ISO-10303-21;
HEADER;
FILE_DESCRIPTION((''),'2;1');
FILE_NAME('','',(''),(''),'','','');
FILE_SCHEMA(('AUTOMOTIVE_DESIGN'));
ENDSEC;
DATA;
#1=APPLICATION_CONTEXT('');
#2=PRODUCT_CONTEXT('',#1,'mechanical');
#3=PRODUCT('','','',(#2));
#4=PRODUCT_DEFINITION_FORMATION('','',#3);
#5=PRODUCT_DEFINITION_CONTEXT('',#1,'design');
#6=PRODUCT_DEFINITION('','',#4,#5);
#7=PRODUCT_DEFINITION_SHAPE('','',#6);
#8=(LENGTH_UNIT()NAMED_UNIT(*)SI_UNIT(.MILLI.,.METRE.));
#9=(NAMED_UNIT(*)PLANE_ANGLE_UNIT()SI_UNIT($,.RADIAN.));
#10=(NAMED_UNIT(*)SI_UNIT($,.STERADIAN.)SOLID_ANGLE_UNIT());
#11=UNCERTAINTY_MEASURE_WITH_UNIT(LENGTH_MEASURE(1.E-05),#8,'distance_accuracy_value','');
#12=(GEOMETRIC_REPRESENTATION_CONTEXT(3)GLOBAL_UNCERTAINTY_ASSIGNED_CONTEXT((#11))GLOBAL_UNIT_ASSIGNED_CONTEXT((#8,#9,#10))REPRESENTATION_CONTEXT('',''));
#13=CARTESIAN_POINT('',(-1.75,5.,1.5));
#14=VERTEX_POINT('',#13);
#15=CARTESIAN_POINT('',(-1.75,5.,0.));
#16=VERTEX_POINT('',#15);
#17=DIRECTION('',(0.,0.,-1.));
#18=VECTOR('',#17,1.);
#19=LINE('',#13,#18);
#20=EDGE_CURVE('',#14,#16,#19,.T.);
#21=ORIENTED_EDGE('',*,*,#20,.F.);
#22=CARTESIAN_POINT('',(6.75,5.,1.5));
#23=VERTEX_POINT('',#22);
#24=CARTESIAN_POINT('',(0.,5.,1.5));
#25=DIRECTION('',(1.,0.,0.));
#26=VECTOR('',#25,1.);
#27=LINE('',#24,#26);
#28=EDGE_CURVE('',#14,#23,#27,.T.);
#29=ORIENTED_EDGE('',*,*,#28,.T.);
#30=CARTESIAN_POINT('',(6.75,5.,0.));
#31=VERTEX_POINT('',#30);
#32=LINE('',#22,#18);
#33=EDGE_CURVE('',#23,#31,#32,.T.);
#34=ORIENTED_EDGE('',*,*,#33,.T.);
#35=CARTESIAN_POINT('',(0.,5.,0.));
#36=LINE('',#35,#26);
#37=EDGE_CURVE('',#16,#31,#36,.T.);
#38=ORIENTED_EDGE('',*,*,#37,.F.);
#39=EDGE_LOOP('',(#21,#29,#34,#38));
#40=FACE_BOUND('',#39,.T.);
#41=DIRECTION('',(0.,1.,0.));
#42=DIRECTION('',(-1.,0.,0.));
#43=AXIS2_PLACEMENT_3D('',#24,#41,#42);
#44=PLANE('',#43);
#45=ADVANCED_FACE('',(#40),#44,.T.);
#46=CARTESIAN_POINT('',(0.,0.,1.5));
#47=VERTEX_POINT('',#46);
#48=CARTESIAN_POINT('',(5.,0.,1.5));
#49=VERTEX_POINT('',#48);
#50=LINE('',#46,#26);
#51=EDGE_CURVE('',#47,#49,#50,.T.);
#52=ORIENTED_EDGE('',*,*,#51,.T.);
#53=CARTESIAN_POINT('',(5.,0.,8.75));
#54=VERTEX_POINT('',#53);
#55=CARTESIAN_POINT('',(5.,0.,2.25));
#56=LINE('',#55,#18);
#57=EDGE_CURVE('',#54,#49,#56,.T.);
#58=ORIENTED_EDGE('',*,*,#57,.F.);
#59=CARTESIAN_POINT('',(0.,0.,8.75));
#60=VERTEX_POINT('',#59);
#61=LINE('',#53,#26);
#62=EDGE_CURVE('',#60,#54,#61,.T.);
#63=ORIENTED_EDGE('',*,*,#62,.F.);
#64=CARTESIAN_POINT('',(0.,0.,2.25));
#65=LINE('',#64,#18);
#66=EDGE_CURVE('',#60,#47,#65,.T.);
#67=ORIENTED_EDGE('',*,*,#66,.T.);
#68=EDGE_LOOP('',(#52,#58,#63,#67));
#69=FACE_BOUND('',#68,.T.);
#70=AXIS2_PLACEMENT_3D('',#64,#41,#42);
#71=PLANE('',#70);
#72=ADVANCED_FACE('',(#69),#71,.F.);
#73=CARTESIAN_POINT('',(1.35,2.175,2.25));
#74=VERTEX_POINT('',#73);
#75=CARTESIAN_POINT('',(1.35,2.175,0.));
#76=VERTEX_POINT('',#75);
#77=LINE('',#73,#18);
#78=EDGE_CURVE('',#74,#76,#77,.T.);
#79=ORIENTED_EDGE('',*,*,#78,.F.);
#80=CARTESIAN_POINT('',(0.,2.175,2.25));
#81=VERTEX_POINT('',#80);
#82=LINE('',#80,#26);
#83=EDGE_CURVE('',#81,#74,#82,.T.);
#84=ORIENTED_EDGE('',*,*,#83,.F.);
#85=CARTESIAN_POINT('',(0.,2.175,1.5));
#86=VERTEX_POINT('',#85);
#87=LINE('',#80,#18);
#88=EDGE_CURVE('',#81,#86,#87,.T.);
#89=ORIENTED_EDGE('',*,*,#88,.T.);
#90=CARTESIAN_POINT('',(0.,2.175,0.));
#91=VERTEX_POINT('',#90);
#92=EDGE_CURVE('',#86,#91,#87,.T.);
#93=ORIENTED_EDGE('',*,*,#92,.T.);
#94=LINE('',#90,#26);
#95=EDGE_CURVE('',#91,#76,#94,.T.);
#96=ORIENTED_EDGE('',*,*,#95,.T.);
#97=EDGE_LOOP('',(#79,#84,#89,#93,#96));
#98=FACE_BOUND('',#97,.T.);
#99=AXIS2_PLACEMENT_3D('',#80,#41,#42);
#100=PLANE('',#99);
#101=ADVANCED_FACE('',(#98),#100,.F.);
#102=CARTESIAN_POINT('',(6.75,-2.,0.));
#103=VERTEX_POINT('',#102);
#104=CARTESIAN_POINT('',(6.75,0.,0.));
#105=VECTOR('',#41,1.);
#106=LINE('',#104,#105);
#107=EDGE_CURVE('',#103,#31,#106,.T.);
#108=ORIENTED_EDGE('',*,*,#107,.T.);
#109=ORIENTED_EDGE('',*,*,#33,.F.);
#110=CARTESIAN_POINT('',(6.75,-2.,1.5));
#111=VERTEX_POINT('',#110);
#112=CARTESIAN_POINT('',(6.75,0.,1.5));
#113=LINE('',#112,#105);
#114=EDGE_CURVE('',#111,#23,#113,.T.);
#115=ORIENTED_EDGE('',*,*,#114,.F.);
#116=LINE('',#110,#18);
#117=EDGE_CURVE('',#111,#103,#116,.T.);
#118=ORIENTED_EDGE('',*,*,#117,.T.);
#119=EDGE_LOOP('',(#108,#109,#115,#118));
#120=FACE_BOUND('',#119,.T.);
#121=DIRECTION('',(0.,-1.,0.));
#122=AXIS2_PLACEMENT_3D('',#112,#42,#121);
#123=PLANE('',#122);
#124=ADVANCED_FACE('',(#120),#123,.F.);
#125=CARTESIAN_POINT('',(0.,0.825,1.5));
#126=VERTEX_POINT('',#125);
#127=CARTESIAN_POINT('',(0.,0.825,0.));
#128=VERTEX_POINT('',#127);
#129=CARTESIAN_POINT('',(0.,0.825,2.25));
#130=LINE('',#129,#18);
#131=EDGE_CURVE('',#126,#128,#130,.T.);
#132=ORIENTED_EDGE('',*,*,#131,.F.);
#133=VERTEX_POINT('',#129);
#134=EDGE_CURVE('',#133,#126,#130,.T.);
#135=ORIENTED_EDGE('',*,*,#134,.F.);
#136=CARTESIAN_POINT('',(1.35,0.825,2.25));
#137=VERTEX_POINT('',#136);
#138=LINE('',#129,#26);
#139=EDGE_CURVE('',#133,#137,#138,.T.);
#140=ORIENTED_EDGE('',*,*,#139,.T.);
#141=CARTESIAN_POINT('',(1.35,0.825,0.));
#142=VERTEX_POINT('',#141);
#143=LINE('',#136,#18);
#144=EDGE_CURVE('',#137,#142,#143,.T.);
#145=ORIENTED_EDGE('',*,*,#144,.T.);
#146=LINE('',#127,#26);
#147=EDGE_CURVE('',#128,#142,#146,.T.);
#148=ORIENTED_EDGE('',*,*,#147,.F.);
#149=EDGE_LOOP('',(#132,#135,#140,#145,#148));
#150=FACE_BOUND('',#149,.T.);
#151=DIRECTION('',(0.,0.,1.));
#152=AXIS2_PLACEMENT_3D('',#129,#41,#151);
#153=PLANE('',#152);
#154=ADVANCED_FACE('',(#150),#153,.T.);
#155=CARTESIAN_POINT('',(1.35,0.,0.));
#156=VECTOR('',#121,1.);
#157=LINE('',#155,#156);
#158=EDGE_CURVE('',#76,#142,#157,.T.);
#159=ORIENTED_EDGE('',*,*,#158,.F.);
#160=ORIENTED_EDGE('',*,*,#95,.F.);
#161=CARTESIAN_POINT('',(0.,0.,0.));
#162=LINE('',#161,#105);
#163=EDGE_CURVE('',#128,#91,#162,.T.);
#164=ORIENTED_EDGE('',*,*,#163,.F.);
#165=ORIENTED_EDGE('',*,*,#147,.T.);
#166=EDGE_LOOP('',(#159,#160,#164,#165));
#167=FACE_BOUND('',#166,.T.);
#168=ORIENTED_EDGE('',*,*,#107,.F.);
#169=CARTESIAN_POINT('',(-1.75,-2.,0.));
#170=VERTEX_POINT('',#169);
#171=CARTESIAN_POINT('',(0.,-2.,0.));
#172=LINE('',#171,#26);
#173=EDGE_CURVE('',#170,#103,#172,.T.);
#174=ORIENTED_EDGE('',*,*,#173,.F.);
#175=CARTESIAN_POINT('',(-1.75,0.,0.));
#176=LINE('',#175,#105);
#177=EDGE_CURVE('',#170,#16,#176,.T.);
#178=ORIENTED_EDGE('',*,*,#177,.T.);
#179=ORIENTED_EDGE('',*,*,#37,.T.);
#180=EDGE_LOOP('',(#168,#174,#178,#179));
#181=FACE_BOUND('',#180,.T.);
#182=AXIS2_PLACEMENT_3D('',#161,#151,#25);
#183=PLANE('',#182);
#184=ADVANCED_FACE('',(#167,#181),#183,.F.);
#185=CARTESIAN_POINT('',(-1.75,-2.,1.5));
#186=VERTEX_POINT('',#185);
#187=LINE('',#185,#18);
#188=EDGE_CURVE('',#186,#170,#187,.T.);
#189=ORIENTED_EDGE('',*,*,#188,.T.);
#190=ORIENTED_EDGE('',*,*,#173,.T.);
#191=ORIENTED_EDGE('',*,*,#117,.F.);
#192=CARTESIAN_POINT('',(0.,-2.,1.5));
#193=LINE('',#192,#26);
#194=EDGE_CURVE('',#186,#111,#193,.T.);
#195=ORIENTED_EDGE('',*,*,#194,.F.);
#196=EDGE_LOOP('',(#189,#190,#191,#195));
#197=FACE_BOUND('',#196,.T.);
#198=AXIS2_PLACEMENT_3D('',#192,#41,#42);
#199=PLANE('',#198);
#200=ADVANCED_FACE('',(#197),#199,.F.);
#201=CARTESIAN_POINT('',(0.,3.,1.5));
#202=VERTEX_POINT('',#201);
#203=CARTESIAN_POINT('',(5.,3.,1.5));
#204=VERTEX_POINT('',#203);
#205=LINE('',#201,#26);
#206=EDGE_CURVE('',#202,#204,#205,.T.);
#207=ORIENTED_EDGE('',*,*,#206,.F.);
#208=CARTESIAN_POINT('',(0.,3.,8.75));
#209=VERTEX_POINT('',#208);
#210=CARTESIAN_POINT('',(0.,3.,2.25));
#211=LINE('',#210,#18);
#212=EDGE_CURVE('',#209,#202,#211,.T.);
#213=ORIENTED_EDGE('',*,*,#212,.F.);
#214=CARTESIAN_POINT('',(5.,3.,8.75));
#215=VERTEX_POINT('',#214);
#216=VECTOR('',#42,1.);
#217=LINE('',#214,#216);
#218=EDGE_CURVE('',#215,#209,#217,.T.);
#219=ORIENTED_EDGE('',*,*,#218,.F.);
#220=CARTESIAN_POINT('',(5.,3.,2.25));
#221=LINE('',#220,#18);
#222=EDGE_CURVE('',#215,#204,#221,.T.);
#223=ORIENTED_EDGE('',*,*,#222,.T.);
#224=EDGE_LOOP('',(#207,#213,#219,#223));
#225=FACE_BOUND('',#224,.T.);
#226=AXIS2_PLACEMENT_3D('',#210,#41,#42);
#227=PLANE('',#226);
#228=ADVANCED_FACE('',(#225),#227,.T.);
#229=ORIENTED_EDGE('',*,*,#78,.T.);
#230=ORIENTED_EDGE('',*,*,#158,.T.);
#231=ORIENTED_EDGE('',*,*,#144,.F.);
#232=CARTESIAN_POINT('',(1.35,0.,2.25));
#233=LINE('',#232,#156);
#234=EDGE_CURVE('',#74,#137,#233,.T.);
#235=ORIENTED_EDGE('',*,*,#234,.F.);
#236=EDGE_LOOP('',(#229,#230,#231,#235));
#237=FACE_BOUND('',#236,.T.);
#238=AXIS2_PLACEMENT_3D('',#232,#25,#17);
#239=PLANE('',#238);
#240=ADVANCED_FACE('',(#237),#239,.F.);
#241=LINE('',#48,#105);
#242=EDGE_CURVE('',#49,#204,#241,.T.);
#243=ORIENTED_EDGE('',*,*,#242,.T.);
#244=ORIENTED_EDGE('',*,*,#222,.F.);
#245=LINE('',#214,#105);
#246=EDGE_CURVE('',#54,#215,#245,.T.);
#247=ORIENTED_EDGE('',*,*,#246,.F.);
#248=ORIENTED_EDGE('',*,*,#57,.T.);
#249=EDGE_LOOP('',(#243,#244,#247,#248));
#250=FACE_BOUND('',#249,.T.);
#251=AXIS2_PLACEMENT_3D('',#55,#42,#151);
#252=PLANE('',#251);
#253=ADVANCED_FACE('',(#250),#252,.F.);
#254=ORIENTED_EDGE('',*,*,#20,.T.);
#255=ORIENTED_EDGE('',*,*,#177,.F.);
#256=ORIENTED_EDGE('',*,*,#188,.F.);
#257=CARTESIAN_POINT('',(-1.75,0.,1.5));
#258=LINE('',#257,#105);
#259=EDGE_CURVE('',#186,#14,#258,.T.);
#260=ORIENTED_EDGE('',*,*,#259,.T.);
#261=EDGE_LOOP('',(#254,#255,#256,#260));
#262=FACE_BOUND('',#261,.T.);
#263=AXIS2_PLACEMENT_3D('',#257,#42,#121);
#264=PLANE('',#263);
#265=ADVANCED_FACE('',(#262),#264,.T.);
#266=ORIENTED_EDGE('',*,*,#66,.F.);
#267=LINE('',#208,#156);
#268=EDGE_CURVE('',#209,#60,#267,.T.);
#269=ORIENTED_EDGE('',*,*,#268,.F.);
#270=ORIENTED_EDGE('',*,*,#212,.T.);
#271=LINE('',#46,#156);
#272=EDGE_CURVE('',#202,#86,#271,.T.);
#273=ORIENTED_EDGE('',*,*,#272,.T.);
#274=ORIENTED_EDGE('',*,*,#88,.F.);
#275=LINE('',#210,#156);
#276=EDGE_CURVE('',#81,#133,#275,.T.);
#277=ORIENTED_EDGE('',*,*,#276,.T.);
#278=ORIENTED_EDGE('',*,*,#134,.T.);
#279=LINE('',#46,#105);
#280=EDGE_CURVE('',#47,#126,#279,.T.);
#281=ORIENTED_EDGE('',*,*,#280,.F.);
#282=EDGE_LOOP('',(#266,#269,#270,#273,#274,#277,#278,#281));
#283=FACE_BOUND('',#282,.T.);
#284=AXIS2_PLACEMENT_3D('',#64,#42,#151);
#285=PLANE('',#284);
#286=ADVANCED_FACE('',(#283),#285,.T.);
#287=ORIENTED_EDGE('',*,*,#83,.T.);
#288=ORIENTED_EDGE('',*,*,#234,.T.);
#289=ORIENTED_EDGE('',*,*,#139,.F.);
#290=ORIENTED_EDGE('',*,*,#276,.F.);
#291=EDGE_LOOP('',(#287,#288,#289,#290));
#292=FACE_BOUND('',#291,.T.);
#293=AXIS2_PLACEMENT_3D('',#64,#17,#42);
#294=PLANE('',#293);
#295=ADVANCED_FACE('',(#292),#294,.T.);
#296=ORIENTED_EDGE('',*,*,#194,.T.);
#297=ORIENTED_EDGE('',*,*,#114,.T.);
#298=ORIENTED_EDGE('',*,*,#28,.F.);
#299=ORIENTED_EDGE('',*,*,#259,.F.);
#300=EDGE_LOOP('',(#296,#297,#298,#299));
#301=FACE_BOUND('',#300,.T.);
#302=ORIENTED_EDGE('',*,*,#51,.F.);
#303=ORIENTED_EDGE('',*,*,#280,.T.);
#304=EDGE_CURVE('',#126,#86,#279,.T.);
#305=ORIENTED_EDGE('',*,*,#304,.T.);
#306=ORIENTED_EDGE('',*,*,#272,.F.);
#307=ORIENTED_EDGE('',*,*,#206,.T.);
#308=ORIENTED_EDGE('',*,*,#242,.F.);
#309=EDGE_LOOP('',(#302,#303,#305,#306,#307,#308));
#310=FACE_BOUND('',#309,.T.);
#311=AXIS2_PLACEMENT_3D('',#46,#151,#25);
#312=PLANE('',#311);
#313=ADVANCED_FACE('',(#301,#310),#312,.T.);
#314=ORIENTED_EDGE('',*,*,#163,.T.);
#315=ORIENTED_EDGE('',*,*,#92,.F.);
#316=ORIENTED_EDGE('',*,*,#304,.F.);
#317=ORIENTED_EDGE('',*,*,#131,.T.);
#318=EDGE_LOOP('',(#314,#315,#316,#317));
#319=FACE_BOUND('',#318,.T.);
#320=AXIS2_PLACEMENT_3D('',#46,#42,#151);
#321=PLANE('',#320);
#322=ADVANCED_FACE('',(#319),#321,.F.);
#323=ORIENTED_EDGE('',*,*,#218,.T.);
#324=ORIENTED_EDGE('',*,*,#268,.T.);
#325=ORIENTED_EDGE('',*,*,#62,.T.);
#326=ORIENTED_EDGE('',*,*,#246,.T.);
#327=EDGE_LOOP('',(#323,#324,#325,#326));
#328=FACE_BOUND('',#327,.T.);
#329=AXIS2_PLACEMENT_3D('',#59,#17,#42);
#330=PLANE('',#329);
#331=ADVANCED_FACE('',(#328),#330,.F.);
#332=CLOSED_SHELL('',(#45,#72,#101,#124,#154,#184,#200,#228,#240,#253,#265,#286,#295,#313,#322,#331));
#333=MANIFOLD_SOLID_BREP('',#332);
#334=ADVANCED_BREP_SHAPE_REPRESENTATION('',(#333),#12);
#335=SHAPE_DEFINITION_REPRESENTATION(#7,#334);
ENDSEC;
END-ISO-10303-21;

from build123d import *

# Parameters (mm, degrees)
SKETCH1_W           = 8.5
SKETCH1_H           = 7
BOSS_EXTRUDE1_DEPTH = 1.5
BOSS_EXTRUDE2_DEPTH = 2.25
SKETCH3_W           = 5
SKETCH3_H           = 3
BOSS_EXTRUDE3_DEPTH = 6.5


with BuildPart() as part:
    # Sketch1 → Boss-Extrude1 (new body)
    with BuildSketch(Plane.XY):
        with Locations((2.5, 1.5)):
            Rectangle(SKETCH1_W, SKETCH1_H)
        Polygon((5, 0), (0, 0), (0, 0.825), (0, 2.175), (0, 3), (5, 3), align=None, mode=Mode.SUBTRACT)
    extrude(amount=BOSS_EXTRUDE1_DEPTH)

    # Sketch1<3> → Boss-Extrude2 (add)
    with BuildSketch(Plane.XY):
        Polygon((0, 0.825), (0, 0), (5, 0), (5, 3), (0, 3), (0, 2.175), (1.35, 2.175), (1.35, 0.825), align=None)
    extrude(amount=BOSS_EXTRUDE2_DEPTH)

    # Sketch3 → Boss-Extrude3 (add)
    with BuildSketch(Plane.XY.offset(2.25)):
        with Locations((2.5, 1.5)):
            Rectangle(SKETCH3_W, SKETCH3_H)
    extrude(amount=BOSS_EXTRUDE3_DEPTH)


solid = part.part
